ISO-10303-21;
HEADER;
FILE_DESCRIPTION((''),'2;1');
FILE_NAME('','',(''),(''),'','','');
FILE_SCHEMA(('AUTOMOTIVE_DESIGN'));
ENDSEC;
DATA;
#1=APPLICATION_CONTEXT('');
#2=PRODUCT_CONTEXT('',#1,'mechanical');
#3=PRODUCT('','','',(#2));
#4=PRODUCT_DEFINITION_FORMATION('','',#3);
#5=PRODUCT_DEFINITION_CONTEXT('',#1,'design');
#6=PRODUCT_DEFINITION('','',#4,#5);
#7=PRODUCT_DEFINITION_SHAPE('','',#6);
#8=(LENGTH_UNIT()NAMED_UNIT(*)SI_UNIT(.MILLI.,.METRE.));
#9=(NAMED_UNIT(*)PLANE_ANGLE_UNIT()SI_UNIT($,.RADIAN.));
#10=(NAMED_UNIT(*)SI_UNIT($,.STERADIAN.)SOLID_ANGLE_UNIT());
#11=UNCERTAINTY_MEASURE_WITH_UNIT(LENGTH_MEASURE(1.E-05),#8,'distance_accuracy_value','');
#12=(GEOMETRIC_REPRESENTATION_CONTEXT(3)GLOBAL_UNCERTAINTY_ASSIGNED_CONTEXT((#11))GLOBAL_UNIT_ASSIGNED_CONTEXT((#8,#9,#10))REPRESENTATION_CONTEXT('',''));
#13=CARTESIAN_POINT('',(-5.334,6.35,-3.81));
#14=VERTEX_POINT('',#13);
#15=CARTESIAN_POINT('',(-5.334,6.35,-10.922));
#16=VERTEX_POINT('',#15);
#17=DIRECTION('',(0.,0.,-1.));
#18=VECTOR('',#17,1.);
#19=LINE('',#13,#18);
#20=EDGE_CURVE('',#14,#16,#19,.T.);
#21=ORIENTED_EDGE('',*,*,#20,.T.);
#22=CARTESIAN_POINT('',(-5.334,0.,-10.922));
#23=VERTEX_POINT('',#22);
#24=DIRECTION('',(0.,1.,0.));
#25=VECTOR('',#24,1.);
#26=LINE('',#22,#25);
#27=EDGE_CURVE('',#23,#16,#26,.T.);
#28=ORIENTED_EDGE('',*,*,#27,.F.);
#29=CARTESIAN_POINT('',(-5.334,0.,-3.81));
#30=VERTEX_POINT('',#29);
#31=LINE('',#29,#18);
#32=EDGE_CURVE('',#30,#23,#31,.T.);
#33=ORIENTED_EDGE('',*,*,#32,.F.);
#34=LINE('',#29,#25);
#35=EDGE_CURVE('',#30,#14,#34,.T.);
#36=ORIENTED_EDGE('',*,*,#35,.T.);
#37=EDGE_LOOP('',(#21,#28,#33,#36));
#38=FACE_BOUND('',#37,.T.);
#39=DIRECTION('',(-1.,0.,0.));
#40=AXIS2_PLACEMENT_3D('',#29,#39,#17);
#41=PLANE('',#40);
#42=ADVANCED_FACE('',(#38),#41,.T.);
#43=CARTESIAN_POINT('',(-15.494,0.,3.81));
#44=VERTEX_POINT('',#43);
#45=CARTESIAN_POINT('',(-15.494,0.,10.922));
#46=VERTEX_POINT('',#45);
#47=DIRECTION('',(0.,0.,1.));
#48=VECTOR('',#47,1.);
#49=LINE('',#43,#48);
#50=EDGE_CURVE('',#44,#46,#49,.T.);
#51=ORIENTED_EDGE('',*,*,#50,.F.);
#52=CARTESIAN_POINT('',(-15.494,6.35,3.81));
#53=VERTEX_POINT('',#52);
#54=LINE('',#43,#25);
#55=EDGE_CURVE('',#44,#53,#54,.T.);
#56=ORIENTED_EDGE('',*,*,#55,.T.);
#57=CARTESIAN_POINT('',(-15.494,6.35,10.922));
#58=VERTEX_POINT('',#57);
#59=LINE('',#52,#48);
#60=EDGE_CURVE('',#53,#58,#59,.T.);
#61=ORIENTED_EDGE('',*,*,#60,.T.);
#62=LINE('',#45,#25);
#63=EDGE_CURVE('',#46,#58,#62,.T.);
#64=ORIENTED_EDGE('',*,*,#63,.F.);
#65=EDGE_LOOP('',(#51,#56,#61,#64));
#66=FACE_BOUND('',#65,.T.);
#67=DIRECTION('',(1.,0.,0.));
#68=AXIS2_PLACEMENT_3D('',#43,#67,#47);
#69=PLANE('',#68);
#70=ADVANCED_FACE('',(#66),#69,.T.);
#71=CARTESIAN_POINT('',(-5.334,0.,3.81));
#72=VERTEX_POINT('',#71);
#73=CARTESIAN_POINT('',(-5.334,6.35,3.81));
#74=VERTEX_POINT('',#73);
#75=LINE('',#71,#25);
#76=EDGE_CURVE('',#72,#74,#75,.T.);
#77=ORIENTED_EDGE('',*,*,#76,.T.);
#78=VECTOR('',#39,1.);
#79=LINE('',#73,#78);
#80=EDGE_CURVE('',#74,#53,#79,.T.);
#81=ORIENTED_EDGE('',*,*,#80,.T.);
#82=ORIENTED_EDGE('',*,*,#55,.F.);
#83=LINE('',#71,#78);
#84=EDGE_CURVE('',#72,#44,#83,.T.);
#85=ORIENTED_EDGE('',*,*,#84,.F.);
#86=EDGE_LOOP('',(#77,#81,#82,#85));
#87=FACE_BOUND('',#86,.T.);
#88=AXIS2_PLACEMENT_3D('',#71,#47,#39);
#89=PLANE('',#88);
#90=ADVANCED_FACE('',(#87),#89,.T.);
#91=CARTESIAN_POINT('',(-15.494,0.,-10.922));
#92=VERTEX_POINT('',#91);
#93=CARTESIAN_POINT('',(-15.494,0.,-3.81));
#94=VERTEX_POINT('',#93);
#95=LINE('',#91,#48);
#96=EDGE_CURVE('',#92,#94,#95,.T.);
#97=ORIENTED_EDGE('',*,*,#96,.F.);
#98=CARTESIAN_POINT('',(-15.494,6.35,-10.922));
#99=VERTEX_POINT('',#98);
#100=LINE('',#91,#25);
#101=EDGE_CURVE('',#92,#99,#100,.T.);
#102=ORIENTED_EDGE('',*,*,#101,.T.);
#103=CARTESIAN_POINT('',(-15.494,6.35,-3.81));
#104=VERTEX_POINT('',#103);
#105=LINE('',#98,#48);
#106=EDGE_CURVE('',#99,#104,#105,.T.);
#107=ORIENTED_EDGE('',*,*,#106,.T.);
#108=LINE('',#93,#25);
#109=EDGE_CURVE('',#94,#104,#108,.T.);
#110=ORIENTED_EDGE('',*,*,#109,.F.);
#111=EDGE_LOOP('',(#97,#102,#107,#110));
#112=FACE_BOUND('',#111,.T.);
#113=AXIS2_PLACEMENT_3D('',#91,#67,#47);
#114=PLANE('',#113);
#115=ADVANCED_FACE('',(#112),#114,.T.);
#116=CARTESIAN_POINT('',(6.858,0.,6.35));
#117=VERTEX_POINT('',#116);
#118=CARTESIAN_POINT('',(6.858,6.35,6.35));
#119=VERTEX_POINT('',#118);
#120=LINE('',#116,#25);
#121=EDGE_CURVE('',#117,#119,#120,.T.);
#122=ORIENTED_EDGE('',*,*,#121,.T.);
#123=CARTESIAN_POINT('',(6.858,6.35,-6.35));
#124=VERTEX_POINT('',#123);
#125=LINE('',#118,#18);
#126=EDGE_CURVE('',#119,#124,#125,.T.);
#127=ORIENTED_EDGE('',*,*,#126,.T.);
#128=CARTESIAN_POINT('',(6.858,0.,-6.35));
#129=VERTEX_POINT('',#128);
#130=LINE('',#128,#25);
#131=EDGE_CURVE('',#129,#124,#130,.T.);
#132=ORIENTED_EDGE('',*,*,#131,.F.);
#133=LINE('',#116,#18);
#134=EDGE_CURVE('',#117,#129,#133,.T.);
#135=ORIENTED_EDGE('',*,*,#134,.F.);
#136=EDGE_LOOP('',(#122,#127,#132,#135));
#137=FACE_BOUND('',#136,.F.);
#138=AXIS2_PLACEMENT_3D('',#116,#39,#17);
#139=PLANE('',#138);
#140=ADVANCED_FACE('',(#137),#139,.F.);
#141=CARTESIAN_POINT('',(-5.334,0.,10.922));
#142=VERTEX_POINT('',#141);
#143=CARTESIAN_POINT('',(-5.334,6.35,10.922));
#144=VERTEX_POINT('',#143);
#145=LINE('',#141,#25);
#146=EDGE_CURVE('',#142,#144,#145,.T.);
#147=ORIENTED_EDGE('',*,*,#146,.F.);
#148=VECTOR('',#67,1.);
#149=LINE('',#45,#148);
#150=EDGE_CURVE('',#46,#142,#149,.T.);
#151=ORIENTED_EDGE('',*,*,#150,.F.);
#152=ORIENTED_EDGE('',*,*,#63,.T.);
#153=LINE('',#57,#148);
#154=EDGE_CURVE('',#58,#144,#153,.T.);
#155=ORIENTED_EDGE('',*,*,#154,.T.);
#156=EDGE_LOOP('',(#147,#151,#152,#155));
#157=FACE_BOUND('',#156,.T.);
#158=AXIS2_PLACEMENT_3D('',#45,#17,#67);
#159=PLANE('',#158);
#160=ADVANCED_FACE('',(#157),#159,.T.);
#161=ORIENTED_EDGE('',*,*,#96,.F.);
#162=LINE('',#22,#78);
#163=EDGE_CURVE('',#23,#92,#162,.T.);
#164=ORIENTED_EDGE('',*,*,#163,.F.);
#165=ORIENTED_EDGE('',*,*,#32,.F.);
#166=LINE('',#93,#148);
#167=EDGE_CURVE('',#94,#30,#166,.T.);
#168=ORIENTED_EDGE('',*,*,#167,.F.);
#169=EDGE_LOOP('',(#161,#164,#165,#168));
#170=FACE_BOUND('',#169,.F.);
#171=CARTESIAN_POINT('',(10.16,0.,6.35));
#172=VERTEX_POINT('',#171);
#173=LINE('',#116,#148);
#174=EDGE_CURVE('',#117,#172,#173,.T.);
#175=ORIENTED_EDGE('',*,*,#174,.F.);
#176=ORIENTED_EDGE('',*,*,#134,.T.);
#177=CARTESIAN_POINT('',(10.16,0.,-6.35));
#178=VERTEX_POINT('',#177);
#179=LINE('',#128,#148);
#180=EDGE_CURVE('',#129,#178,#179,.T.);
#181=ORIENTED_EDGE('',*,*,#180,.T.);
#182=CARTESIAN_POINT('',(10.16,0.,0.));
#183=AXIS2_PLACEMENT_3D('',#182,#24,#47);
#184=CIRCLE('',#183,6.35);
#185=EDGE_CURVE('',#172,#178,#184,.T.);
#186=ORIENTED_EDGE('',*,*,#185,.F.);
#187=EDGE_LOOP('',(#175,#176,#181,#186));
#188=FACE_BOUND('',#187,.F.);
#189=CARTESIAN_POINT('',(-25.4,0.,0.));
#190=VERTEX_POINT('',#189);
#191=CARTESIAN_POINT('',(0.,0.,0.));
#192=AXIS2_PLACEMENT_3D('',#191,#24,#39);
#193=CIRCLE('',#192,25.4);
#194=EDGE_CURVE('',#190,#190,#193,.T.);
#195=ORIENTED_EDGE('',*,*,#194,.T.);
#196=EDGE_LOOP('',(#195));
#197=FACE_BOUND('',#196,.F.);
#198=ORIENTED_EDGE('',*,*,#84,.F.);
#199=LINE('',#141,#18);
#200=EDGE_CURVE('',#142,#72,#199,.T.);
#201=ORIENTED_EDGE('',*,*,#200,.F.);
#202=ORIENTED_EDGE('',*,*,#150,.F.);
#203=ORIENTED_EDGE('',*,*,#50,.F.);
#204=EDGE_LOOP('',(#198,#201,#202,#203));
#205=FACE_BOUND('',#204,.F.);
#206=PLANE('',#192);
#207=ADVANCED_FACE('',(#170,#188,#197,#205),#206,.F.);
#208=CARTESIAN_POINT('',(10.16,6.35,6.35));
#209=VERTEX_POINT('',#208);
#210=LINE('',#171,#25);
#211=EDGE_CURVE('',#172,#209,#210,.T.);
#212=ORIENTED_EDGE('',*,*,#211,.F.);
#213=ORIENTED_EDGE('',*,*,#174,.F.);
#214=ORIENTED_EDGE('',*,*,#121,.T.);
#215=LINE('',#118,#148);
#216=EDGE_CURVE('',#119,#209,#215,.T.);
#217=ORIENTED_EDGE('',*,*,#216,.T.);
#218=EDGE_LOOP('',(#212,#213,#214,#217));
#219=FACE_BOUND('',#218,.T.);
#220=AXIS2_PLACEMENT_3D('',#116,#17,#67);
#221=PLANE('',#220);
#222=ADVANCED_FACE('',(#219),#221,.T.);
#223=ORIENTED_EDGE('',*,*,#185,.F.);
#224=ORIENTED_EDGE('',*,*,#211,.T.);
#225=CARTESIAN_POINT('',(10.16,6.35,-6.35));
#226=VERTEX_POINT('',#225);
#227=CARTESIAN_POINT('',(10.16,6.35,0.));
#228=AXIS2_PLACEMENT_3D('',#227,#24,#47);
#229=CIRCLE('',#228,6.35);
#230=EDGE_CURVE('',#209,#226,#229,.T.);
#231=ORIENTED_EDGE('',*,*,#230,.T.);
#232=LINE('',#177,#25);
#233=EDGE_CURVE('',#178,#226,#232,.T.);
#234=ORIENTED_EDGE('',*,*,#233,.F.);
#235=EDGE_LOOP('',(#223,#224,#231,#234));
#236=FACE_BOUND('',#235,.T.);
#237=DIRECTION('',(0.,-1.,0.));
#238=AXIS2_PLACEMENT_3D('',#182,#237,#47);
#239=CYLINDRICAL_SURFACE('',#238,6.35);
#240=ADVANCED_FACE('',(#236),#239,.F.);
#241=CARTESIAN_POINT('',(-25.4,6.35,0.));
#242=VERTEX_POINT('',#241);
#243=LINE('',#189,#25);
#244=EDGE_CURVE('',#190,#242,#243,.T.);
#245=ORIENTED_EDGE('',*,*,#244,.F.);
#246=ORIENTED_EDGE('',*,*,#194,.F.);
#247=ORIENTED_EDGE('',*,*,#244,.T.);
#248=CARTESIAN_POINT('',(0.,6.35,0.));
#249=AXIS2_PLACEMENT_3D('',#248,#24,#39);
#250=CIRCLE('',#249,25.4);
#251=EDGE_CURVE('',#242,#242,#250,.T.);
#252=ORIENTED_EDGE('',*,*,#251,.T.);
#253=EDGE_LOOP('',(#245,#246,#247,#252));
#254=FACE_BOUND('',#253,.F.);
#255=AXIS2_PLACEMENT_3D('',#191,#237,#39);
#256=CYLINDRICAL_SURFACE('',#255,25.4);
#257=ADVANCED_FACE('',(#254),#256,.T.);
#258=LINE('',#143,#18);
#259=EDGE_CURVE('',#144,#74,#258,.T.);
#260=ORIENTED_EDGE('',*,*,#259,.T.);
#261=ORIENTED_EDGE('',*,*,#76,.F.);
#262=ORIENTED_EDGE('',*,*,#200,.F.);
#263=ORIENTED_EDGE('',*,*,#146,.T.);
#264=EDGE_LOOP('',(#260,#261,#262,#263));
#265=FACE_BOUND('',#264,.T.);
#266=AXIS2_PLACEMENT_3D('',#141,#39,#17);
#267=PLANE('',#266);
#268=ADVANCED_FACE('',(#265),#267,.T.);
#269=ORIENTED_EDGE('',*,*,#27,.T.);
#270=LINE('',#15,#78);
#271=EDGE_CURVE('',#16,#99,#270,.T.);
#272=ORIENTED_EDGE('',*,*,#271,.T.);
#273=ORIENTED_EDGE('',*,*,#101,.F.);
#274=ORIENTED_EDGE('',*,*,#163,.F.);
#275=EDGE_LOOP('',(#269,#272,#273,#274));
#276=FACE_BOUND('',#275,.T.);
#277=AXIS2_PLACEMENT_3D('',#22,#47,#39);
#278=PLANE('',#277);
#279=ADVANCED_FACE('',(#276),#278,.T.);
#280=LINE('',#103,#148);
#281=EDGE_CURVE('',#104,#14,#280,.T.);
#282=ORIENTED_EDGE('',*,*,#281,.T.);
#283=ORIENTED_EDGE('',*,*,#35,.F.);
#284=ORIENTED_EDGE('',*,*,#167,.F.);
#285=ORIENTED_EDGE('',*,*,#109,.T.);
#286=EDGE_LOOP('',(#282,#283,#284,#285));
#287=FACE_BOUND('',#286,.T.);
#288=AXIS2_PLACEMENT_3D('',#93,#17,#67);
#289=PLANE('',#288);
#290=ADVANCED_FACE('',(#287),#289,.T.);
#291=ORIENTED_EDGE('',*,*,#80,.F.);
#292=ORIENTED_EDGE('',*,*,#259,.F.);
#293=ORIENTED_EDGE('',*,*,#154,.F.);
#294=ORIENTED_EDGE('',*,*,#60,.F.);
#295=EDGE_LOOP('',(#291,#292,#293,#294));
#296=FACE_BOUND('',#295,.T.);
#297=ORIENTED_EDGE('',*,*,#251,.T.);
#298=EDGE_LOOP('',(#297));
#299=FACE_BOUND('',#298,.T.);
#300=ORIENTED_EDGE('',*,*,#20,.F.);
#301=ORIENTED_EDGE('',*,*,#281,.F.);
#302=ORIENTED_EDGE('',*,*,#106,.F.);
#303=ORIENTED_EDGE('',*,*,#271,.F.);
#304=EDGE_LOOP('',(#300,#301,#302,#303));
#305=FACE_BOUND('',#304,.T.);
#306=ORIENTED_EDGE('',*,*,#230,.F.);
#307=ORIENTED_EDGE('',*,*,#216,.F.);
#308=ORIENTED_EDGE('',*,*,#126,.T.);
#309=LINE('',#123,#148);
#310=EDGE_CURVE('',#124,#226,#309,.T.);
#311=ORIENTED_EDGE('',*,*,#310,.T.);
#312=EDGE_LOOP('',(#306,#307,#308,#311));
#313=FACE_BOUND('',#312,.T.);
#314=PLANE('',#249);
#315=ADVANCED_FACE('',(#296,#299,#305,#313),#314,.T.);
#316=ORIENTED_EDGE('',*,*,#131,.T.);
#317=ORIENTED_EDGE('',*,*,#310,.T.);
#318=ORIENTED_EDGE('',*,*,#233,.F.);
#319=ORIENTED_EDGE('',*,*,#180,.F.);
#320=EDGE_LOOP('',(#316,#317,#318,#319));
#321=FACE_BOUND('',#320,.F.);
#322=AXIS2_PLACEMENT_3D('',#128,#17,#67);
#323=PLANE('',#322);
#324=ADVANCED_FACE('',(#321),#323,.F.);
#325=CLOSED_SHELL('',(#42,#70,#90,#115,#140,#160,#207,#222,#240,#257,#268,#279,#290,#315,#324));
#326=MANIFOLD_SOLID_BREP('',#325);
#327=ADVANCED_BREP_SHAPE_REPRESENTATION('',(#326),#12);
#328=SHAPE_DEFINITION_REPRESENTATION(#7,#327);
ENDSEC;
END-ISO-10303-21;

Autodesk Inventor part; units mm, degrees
ref_plane "YZ Plane" through (0, 0, 0) normal (1, 0, 0) x (0, 1, 0)
ref_plane "XZ Plane" through (0, 0, 0) normal (0, 1, 0) x (-1, 0, 0)
ref_plane "XY Plane" through (0, 0, 0) normal (0, 0, 1) x (1, 0, 0)
sketch "Sketch1" plane through (0, 0, 0) normal (0, 1, 0) x (-1, 0, 0)
  circle A0 centre (0, 0) radius 25.4
  line L0 (15.494, 10.922) -> (5.334, 10.922)
  line L1 (5.334, 10.922) -> (5.334, 3.81)
  line L2 (5.334, 3.81) -> (15.494, 3.81)
  line L3 (15.494, 3.81) -> (15.494, 10.922)
  line L4 (15.494, -3.81) -> (5.334, -3.81)
  line L5 (5.334, -3.81) -> (5.334, -10.922)
  line L6 (5.334, -10.922) -> (15.494, -10.922)
  line L7 (15.494, -10.922) -> (15.494, -3.81)
  line L8 (-6.858, 6.35) -> (-6.858, -6.35)
  line L9 (-6.858, 6.35) -> (-10.16, 6.35)
  line L10 (-6.858, -6.35) -> (-10.16, -6.35)
  arc A1 (-10.16, 6.35) -> (-10.16, -6.35) centre (-10.16, 0) ccw
  dimension "d0" = 50.8
  dimension "d1" = 7.112
  dimension "d2" = 7.112
  dimension "d3" = 10.16
  dimension "d4" = 10.16
  dimension "d5" = 12.7
  dimension "d7" = 3.302
  dimension "d8" = 3.302
  dimension "d9" = 0
  dimension "d10" = 10.16
  dimension "d11" = 5.334
  dimension "d12" = 5.334
  dimension "d13" = 3.81
  dimension "d14" = 3.81
extrude "Extrusion1" add sketch "Sketch1" along normal blind 6.35
properties part number "Test Piece"
